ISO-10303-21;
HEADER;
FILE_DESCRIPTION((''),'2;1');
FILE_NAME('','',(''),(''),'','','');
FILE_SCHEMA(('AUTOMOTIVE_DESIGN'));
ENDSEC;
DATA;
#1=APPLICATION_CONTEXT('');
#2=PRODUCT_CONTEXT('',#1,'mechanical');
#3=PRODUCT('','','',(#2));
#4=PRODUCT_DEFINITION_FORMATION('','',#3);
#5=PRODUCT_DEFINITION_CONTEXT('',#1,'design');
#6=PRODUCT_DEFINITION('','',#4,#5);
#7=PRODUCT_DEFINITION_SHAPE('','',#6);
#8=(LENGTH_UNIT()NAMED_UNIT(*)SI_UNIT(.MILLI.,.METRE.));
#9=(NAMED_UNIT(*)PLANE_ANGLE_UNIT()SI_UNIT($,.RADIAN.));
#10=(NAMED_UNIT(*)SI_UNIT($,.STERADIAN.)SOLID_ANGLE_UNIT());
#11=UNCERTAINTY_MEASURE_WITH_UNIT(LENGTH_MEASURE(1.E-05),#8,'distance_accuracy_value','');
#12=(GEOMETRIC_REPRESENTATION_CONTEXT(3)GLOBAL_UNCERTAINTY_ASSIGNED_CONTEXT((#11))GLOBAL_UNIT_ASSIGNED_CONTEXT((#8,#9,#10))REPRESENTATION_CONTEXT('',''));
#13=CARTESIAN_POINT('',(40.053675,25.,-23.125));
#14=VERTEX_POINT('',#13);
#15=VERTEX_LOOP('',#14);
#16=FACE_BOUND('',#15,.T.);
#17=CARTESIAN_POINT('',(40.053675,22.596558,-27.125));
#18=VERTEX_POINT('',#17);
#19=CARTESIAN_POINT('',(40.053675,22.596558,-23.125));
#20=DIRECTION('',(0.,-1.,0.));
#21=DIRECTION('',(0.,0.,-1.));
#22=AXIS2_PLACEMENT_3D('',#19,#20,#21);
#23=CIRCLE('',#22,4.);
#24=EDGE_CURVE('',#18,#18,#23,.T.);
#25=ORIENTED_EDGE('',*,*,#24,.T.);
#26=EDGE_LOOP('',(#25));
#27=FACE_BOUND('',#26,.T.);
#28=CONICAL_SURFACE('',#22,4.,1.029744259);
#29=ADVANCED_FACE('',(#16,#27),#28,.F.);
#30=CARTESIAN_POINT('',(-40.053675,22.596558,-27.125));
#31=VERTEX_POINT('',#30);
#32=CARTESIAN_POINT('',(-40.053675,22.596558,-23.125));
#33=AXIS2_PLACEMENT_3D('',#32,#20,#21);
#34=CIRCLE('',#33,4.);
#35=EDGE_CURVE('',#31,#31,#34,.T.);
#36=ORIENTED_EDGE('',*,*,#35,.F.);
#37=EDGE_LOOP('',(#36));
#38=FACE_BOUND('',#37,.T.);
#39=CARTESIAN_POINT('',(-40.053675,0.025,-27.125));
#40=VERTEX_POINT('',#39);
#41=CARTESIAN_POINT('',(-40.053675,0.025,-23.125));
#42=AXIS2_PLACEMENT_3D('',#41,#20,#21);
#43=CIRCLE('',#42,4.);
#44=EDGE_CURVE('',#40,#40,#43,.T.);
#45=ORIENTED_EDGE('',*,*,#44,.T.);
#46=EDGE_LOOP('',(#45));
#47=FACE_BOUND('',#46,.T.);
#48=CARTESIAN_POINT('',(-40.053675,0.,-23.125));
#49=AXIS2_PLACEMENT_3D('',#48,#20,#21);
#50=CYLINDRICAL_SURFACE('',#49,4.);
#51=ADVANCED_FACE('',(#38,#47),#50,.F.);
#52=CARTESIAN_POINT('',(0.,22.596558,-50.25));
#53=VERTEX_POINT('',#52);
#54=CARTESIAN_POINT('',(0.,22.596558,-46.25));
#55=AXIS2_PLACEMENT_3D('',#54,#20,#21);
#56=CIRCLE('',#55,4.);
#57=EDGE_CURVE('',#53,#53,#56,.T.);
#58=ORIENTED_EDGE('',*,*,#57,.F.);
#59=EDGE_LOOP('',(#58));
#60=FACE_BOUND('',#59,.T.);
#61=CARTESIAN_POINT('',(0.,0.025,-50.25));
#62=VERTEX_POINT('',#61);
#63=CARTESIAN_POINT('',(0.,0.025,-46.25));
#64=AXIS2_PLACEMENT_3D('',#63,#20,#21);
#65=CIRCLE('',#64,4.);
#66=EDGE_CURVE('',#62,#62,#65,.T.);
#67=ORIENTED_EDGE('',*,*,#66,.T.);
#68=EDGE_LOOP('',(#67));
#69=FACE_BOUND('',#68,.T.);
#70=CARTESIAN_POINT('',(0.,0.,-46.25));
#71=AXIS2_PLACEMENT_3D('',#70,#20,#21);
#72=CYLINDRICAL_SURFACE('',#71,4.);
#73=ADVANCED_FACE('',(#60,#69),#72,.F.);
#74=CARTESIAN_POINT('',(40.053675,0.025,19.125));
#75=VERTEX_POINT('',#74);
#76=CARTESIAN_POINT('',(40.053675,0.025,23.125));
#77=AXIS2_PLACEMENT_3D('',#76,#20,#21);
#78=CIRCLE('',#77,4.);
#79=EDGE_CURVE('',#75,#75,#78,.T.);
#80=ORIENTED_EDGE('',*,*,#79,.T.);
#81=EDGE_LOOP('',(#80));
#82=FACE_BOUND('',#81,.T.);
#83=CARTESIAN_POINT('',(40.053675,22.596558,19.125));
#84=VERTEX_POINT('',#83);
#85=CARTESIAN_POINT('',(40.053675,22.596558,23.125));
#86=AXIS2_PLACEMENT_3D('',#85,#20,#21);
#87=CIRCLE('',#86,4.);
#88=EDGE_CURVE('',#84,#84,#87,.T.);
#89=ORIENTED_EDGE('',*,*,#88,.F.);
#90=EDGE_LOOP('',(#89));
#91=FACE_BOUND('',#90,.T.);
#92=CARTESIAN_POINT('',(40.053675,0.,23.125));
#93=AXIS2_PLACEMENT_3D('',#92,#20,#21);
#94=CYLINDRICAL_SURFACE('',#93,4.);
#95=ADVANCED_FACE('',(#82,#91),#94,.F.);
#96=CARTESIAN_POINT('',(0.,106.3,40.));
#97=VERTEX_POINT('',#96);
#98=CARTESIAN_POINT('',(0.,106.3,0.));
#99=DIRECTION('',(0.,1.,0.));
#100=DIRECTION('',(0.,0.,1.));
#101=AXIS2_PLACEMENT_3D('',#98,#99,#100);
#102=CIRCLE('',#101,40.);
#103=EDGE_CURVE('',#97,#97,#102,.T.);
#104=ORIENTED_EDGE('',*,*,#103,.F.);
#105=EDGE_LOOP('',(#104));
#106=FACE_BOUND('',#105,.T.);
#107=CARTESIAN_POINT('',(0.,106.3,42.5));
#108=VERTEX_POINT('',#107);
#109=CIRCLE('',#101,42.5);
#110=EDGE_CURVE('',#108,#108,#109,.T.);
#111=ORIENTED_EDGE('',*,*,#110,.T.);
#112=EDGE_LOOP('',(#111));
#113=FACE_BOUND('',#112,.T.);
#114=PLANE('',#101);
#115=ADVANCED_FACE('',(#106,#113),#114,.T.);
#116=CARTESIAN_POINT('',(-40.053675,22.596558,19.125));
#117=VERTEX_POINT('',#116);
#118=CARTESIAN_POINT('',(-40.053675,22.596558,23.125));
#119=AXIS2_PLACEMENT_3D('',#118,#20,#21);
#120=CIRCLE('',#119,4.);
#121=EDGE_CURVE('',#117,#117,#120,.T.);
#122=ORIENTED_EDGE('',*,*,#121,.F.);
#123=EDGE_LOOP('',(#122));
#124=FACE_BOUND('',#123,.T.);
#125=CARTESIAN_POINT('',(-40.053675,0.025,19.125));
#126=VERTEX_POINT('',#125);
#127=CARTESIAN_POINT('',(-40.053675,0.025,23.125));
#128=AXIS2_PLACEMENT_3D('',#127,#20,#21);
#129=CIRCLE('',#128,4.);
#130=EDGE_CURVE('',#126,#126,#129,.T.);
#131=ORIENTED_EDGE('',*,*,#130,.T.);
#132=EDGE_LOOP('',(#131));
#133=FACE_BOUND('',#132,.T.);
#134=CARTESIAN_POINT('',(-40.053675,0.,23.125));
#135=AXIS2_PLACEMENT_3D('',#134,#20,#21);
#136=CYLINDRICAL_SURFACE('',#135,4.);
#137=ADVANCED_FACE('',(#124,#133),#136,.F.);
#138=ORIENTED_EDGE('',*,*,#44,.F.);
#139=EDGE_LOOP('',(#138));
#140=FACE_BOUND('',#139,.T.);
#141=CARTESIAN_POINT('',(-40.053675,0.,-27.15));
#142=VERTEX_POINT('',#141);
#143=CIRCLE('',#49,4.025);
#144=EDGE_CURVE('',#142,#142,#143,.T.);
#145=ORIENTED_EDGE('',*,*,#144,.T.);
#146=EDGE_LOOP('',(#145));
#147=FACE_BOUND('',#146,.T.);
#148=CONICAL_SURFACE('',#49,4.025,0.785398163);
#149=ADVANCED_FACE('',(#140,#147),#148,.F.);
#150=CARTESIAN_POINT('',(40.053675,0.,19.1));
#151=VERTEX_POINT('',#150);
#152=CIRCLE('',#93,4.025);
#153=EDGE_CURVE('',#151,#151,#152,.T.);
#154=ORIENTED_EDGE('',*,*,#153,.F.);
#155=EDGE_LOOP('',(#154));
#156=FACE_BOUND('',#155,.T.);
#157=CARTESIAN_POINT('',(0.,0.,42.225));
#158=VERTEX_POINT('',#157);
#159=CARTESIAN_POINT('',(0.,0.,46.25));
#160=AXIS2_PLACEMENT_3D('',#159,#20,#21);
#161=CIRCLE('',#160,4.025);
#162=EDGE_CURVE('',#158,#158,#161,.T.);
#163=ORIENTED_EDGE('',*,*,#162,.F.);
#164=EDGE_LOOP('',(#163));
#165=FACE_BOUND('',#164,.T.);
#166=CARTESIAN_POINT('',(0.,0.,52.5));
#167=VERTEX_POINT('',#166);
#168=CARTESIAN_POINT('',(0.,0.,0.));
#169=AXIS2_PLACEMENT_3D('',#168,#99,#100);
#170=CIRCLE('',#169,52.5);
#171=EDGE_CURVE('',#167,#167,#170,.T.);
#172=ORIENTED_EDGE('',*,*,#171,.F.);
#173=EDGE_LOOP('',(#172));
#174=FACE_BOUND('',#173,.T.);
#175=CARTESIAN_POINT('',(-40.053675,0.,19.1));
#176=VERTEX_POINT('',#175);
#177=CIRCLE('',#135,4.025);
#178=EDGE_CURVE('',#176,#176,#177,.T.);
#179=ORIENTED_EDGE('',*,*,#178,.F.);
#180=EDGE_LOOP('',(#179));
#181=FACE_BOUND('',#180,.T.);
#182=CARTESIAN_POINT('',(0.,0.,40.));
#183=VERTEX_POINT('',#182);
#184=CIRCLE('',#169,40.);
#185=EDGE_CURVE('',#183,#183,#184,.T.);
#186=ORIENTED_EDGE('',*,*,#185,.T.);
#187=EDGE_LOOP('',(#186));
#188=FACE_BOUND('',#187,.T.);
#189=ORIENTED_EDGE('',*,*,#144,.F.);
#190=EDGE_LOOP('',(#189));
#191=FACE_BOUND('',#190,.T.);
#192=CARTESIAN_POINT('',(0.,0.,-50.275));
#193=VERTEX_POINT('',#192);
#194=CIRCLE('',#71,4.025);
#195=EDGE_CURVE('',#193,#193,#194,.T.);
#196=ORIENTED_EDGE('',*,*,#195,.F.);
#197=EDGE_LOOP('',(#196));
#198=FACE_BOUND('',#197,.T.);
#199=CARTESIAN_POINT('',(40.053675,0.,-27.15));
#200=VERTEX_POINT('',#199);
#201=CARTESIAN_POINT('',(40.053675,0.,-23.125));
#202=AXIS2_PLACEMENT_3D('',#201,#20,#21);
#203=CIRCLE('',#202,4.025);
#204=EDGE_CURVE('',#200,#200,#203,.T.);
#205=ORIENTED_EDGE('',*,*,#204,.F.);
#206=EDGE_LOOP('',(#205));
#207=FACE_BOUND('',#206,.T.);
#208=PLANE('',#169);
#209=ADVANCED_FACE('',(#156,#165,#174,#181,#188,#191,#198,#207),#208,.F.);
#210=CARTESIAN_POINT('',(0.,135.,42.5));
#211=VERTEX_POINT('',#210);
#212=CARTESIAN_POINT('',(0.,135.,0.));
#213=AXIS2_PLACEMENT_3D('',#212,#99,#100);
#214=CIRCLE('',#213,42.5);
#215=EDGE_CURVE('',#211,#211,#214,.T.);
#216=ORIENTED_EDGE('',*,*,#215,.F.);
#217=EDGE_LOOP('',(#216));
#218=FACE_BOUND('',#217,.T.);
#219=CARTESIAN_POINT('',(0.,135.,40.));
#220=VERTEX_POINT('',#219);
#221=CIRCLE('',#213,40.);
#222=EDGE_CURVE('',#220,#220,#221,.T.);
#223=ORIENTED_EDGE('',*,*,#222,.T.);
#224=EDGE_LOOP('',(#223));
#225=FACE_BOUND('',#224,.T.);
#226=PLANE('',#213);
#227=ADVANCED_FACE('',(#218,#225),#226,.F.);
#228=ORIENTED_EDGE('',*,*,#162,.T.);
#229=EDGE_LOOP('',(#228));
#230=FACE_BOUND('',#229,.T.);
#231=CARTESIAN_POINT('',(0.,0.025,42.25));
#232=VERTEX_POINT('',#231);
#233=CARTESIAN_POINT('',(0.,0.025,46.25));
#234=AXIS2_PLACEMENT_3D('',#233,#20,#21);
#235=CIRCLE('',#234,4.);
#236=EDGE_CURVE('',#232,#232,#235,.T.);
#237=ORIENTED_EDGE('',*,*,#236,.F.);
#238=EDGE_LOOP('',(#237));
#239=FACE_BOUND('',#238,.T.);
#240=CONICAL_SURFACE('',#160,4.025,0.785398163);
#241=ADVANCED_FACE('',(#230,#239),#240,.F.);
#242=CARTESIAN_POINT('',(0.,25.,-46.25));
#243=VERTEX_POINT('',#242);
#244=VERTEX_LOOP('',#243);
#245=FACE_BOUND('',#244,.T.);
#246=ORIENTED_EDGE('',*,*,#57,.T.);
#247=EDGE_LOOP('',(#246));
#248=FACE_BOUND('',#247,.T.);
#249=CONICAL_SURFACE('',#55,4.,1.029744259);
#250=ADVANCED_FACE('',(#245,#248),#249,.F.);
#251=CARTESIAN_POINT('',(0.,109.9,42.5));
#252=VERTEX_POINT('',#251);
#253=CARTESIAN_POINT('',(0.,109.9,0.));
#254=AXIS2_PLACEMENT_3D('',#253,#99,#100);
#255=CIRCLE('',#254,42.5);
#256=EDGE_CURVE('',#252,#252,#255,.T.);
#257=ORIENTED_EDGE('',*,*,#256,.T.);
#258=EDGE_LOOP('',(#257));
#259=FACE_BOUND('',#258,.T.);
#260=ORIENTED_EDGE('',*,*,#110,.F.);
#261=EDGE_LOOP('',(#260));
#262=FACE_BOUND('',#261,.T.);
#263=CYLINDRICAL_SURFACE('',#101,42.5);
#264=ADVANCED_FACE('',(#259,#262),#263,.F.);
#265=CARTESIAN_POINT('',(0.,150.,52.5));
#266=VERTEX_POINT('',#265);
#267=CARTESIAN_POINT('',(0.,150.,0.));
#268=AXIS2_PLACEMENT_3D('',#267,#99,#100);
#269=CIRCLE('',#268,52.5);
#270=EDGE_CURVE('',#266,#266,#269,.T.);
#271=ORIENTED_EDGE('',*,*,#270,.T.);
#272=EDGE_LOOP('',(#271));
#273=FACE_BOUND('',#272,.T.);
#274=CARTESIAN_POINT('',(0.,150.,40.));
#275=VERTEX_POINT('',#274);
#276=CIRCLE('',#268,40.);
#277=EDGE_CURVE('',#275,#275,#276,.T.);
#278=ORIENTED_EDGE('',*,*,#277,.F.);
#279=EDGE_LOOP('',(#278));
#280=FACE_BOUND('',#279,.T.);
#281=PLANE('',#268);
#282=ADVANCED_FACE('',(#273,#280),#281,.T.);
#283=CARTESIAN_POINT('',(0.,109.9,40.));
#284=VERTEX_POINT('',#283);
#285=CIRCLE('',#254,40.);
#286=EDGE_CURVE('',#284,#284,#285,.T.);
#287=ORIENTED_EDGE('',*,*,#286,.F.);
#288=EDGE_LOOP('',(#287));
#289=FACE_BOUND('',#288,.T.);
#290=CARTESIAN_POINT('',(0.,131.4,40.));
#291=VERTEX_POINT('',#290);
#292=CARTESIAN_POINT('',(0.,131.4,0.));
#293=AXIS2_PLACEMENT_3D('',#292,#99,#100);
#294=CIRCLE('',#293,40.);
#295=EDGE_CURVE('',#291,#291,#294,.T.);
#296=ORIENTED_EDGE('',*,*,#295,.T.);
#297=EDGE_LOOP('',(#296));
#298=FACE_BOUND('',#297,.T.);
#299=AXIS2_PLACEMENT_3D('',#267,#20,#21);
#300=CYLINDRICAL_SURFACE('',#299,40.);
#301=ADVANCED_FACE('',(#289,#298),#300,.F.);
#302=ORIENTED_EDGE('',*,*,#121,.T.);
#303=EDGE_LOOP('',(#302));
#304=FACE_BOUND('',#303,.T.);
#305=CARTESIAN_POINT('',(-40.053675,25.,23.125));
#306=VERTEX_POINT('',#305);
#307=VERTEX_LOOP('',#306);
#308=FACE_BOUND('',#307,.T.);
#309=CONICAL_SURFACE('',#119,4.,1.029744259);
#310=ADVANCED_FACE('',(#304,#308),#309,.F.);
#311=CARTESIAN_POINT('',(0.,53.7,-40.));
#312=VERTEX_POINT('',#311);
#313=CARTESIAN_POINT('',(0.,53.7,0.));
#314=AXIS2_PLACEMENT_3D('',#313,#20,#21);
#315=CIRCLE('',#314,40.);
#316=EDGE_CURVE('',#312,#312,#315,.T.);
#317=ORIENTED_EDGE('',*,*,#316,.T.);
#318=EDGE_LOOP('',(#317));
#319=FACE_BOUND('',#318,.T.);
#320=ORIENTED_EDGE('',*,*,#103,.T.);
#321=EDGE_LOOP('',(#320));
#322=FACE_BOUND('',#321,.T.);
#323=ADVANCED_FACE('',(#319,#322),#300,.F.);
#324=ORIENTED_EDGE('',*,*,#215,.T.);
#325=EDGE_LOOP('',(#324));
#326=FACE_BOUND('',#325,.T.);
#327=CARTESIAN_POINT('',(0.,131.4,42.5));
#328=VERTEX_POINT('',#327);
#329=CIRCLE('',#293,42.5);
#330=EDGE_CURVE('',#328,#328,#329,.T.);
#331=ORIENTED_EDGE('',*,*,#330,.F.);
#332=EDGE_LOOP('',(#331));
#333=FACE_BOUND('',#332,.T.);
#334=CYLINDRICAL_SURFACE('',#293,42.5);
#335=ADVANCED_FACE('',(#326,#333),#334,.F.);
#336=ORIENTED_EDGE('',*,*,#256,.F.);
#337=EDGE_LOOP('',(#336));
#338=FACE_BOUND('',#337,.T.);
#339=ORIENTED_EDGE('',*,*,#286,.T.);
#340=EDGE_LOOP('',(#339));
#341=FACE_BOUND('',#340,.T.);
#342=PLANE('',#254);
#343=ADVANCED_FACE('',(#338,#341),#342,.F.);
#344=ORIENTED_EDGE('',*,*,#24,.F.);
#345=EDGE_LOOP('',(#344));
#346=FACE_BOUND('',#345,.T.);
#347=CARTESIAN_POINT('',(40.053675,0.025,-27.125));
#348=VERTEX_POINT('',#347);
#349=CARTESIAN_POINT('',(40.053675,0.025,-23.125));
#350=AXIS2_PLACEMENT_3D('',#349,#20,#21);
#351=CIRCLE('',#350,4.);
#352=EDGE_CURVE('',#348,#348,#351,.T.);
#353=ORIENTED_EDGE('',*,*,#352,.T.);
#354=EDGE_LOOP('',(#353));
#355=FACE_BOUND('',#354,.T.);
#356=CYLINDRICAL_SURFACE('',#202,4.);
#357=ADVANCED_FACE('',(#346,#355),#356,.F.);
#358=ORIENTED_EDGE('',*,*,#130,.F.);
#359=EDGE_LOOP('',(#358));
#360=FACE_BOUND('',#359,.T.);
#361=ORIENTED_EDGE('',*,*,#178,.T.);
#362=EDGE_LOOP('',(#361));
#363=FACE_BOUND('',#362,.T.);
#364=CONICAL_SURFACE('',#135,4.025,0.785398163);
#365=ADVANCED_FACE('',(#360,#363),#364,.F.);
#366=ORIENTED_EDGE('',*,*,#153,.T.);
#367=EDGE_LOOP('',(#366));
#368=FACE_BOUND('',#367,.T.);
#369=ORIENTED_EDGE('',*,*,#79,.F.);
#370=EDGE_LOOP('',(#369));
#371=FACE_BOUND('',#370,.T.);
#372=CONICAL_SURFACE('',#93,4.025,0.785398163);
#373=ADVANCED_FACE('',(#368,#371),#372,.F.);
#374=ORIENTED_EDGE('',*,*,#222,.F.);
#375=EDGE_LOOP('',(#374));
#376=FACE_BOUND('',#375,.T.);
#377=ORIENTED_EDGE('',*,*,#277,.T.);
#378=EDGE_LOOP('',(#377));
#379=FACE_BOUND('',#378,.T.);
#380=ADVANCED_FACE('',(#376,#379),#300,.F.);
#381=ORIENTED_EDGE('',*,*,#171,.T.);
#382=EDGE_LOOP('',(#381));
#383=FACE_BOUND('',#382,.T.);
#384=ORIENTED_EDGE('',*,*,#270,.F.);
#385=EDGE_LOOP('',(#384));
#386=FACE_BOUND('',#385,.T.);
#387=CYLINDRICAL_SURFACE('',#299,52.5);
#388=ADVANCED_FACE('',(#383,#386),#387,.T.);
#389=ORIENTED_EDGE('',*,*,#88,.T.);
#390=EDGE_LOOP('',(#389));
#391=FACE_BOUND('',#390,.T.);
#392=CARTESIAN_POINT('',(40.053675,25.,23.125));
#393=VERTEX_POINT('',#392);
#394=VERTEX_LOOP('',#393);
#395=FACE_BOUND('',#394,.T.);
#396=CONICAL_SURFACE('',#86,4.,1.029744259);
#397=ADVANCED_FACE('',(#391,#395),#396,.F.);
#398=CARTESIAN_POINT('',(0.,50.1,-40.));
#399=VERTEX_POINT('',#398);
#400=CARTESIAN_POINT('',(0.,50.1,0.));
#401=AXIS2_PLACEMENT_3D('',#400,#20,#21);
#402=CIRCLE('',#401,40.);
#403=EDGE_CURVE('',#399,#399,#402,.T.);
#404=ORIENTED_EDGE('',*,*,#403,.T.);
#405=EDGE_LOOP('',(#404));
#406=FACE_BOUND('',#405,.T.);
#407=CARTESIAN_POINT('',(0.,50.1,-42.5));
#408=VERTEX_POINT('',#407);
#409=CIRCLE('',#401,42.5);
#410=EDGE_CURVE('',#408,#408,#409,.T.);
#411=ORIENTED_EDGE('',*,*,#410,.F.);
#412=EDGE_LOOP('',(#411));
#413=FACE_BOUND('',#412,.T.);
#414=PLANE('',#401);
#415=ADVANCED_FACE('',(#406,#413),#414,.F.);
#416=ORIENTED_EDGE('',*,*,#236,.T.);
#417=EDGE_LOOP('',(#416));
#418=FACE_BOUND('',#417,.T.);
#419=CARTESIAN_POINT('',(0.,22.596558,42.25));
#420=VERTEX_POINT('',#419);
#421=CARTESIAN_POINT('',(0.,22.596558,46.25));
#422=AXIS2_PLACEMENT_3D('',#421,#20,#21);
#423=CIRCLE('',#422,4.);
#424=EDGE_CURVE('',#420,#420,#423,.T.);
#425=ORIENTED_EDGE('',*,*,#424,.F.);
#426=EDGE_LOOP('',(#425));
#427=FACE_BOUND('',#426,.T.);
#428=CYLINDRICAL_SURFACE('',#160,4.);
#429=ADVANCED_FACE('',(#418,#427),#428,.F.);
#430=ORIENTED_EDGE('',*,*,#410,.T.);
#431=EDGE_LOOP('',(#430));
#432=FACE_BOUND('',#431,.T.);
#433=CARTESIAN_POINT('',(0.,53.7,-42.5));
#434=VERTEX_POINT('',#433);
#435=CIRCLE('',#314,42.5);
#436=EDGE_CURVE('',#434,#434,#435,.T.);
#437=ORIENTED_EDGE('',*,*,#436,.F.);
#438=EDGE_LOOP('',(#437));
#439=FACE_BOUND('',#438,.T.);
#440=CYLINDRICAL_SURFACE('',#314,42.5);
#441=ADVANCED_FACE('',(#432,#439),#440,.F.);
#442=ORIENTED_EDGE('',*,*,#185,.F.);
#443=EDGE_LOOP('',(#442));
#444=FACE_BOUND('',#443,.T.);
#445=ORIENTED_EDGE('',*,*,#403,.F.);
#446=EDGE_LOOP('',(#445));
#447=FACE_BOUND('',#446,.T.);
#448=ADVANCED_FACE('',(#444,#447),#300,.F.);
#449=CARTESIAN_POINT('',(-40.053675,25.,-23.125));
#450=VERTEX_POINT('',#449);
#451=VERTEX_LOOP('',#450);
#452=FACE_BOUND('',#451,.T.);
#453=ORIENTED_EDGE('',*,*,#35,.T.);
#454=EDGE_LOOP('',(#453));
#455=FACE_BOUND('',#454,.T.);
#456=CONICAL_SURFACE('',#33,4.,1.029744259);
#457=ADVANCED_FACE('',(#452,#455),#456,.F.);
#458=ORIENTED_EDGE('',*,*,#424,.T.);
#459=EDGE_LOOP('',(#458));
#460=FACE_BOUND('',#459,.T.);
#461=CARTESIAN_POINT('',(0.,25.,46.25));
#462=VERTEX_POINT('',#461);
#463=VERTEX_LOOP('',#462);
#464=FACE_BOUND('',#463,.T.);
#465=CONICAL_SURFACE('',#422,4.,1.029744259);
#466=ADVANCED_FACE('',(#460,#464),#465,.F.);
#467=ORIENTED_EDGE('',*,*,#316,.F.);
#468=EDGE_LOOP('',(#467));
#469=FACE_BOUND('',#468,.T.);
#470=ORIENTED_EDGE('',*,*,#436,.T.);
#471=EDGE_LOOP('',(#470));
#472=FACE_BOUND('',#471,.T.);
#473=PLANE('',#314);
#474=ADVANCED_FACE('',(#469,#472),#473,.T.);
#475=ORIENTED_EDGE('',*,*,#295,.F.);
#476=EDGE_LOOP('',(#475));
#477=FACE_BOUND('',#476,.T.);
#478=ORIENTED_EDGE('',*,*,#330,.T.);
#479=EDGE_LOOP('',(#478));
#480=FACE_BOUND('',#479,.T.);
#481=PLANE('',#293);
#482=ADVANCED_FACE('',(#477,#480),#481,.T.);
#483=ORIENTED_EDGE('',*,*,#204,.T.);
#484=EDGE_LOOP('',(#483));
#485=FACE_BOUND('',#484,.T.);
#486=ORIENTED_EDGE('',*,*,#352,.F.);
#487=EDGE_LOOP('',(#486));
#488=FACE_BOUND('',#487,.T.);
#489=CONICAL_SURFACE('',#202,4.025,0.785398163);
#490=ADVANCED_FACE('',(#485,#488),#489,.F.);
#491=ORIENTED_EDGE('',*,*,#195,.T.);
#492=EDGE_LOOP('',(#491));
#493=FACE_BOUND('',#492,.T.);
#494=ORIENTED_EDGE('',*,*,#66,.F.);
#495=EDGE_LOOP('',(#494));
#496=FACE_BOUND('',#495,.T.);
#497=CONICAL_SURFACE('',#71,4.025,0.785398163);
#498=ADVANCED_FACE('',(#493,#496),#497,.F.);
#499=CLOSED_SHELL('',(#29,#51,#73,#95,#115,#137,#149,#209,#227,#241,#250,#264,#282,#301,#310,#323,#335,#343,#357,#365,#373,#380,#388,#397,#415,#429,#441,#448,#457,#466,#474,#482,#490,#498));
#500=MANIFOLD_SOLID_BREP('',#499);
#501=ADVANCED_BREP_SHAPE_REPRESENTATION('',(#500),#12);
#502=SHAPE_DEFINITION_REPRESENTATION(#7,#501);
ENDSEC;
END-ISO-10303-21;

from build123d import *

# Parameters (mm, degrees)
SKETCH1_R                       = 52.5
SKETCH1_R_2                     = 40
BOSS_EXTRUDE1_DEPTH             = 150
SKETCH7_R                       = 42.5
YLIN_URA_DEPTH                  = 3.6
SKETCH8_R                       = 42.5
TOKA_YLIN_URA_DEPTH             = 3.6
CUT_EXTRUDE5_START              = -3.6
SKETCH10_R                      = 42.5
CUT_EXTRUDE5_DEPTH              = 3.6
F_8_0MM_DOWEL_HOLE1_D           = 8
F_8_0MM_DOWEL_HOLE1_DEPTH       = 22.596557524
F_8_0MM_DOWEL_HOLE1_CSINK_D     = 8.05
F_8_0MM_DOWEL_HOLE1_CSINK_ANGLE = 90
F_8_0MM_DOWEL_HOLE1_TIP         = 2.403442476


with BuildPart() as part:
    # Sketch1 → Boss-Extrude1 (new body)
    with BuildSketch(Plane(origin=(0, 0, 0), x_dir=(1, 0, 0), z_dir=(0, 1, 0))):
        with Locations(Location((0, 0, 0), (0, 0, 270))):
            Circle(SKETCH1_R)
        with Locations(Location((0, 0, 0), (0, 0, 270))):
            Circle(SKETCH1_R_2, mode=Mode.SUBTRACT)
    extrude(amount=BOSS_EXTRUDE1_DEPTH)

    # Sketch7 → Ylin ura (cut)
    with BuildSketch(Plane(origin=(0, 135, 0), x_dir=(1, 0, 0), z_dir=(0, 1, 0))):
        with Locations(Location((0, 0, 0), (0, 0, 270))):
            Circle(SKETCH7_R)
    extrude(amount=-YLIN_URA_DEPTH, mode=Mode.SUBTRACT)

    # Sketch8 → Toka ylin ura (cut)
    with BuildSketch(Plane(origin=(0, 109.9, 0), x_dir=(1, 0, 0), z_dir=(0, 1, 0))):
        with Locations(Location((0, 0, 0), (0, 0, 270))):
            Circle(SKETCH8_R)
    extrude(amount=-TOKA_YLIN_URA_DEPTH, mode=Mode.SUBTRACT)

    # Sketch10 → Cut-Extrude5 (cut)
    with BuildSketch(Plane(origin=(0, 50.1, 0), x_dir=(-1, 0, 0), z_dir=(0, -1, 0)).offset(CUT_EXTRUDE5_START)):
        with Locations(Location((0, 0, 0), (0, 0, 270))):
            Circle(SKETCH10_R)
    extrude(amount=CUT_EXTRUDE5_DEPTH, mode=Mode.SUBTRACT)

    # Ø8.0mm Dowel Hole1
    with Locations(Plane(origin=(0, 0, 0), x_dir=(-1, 0, 0), z_dir=(0, -1, 0))):
        with Locations((0, -46.25), (-40.053674925, -23.125), (-40.053674925, 23.125), (0, 46.25), (40.053674925, 23.125), (40.053674925, -23.125)):
            CounterSinkHole(F_8_0MM_DOWEL_HOLE1_D / 2, F_8_0MM_DOWEL_HOLE1_CSINK_D / 2, depth=F_8_0MM_DOWEL_HOLE1_DEPTH, counter_sink_angle=F_8_0MM_DOWEL_HOLE1_CSINK_ANGLE)
            with Locations((0, 0, -(F_8_0MM_DOWEL_HOLE1_DEPTH + F_8_0MM_DOWEL_HOLE1_TIP / 2))):  # 118° drill point
                Cone(0, F_8_0MM_DOWEL_HOLE1_D / 2, F_8_0MM_DOWEL_HOLE1_TIP, mode=Mode.SUBTRACT)


solid = part.part
